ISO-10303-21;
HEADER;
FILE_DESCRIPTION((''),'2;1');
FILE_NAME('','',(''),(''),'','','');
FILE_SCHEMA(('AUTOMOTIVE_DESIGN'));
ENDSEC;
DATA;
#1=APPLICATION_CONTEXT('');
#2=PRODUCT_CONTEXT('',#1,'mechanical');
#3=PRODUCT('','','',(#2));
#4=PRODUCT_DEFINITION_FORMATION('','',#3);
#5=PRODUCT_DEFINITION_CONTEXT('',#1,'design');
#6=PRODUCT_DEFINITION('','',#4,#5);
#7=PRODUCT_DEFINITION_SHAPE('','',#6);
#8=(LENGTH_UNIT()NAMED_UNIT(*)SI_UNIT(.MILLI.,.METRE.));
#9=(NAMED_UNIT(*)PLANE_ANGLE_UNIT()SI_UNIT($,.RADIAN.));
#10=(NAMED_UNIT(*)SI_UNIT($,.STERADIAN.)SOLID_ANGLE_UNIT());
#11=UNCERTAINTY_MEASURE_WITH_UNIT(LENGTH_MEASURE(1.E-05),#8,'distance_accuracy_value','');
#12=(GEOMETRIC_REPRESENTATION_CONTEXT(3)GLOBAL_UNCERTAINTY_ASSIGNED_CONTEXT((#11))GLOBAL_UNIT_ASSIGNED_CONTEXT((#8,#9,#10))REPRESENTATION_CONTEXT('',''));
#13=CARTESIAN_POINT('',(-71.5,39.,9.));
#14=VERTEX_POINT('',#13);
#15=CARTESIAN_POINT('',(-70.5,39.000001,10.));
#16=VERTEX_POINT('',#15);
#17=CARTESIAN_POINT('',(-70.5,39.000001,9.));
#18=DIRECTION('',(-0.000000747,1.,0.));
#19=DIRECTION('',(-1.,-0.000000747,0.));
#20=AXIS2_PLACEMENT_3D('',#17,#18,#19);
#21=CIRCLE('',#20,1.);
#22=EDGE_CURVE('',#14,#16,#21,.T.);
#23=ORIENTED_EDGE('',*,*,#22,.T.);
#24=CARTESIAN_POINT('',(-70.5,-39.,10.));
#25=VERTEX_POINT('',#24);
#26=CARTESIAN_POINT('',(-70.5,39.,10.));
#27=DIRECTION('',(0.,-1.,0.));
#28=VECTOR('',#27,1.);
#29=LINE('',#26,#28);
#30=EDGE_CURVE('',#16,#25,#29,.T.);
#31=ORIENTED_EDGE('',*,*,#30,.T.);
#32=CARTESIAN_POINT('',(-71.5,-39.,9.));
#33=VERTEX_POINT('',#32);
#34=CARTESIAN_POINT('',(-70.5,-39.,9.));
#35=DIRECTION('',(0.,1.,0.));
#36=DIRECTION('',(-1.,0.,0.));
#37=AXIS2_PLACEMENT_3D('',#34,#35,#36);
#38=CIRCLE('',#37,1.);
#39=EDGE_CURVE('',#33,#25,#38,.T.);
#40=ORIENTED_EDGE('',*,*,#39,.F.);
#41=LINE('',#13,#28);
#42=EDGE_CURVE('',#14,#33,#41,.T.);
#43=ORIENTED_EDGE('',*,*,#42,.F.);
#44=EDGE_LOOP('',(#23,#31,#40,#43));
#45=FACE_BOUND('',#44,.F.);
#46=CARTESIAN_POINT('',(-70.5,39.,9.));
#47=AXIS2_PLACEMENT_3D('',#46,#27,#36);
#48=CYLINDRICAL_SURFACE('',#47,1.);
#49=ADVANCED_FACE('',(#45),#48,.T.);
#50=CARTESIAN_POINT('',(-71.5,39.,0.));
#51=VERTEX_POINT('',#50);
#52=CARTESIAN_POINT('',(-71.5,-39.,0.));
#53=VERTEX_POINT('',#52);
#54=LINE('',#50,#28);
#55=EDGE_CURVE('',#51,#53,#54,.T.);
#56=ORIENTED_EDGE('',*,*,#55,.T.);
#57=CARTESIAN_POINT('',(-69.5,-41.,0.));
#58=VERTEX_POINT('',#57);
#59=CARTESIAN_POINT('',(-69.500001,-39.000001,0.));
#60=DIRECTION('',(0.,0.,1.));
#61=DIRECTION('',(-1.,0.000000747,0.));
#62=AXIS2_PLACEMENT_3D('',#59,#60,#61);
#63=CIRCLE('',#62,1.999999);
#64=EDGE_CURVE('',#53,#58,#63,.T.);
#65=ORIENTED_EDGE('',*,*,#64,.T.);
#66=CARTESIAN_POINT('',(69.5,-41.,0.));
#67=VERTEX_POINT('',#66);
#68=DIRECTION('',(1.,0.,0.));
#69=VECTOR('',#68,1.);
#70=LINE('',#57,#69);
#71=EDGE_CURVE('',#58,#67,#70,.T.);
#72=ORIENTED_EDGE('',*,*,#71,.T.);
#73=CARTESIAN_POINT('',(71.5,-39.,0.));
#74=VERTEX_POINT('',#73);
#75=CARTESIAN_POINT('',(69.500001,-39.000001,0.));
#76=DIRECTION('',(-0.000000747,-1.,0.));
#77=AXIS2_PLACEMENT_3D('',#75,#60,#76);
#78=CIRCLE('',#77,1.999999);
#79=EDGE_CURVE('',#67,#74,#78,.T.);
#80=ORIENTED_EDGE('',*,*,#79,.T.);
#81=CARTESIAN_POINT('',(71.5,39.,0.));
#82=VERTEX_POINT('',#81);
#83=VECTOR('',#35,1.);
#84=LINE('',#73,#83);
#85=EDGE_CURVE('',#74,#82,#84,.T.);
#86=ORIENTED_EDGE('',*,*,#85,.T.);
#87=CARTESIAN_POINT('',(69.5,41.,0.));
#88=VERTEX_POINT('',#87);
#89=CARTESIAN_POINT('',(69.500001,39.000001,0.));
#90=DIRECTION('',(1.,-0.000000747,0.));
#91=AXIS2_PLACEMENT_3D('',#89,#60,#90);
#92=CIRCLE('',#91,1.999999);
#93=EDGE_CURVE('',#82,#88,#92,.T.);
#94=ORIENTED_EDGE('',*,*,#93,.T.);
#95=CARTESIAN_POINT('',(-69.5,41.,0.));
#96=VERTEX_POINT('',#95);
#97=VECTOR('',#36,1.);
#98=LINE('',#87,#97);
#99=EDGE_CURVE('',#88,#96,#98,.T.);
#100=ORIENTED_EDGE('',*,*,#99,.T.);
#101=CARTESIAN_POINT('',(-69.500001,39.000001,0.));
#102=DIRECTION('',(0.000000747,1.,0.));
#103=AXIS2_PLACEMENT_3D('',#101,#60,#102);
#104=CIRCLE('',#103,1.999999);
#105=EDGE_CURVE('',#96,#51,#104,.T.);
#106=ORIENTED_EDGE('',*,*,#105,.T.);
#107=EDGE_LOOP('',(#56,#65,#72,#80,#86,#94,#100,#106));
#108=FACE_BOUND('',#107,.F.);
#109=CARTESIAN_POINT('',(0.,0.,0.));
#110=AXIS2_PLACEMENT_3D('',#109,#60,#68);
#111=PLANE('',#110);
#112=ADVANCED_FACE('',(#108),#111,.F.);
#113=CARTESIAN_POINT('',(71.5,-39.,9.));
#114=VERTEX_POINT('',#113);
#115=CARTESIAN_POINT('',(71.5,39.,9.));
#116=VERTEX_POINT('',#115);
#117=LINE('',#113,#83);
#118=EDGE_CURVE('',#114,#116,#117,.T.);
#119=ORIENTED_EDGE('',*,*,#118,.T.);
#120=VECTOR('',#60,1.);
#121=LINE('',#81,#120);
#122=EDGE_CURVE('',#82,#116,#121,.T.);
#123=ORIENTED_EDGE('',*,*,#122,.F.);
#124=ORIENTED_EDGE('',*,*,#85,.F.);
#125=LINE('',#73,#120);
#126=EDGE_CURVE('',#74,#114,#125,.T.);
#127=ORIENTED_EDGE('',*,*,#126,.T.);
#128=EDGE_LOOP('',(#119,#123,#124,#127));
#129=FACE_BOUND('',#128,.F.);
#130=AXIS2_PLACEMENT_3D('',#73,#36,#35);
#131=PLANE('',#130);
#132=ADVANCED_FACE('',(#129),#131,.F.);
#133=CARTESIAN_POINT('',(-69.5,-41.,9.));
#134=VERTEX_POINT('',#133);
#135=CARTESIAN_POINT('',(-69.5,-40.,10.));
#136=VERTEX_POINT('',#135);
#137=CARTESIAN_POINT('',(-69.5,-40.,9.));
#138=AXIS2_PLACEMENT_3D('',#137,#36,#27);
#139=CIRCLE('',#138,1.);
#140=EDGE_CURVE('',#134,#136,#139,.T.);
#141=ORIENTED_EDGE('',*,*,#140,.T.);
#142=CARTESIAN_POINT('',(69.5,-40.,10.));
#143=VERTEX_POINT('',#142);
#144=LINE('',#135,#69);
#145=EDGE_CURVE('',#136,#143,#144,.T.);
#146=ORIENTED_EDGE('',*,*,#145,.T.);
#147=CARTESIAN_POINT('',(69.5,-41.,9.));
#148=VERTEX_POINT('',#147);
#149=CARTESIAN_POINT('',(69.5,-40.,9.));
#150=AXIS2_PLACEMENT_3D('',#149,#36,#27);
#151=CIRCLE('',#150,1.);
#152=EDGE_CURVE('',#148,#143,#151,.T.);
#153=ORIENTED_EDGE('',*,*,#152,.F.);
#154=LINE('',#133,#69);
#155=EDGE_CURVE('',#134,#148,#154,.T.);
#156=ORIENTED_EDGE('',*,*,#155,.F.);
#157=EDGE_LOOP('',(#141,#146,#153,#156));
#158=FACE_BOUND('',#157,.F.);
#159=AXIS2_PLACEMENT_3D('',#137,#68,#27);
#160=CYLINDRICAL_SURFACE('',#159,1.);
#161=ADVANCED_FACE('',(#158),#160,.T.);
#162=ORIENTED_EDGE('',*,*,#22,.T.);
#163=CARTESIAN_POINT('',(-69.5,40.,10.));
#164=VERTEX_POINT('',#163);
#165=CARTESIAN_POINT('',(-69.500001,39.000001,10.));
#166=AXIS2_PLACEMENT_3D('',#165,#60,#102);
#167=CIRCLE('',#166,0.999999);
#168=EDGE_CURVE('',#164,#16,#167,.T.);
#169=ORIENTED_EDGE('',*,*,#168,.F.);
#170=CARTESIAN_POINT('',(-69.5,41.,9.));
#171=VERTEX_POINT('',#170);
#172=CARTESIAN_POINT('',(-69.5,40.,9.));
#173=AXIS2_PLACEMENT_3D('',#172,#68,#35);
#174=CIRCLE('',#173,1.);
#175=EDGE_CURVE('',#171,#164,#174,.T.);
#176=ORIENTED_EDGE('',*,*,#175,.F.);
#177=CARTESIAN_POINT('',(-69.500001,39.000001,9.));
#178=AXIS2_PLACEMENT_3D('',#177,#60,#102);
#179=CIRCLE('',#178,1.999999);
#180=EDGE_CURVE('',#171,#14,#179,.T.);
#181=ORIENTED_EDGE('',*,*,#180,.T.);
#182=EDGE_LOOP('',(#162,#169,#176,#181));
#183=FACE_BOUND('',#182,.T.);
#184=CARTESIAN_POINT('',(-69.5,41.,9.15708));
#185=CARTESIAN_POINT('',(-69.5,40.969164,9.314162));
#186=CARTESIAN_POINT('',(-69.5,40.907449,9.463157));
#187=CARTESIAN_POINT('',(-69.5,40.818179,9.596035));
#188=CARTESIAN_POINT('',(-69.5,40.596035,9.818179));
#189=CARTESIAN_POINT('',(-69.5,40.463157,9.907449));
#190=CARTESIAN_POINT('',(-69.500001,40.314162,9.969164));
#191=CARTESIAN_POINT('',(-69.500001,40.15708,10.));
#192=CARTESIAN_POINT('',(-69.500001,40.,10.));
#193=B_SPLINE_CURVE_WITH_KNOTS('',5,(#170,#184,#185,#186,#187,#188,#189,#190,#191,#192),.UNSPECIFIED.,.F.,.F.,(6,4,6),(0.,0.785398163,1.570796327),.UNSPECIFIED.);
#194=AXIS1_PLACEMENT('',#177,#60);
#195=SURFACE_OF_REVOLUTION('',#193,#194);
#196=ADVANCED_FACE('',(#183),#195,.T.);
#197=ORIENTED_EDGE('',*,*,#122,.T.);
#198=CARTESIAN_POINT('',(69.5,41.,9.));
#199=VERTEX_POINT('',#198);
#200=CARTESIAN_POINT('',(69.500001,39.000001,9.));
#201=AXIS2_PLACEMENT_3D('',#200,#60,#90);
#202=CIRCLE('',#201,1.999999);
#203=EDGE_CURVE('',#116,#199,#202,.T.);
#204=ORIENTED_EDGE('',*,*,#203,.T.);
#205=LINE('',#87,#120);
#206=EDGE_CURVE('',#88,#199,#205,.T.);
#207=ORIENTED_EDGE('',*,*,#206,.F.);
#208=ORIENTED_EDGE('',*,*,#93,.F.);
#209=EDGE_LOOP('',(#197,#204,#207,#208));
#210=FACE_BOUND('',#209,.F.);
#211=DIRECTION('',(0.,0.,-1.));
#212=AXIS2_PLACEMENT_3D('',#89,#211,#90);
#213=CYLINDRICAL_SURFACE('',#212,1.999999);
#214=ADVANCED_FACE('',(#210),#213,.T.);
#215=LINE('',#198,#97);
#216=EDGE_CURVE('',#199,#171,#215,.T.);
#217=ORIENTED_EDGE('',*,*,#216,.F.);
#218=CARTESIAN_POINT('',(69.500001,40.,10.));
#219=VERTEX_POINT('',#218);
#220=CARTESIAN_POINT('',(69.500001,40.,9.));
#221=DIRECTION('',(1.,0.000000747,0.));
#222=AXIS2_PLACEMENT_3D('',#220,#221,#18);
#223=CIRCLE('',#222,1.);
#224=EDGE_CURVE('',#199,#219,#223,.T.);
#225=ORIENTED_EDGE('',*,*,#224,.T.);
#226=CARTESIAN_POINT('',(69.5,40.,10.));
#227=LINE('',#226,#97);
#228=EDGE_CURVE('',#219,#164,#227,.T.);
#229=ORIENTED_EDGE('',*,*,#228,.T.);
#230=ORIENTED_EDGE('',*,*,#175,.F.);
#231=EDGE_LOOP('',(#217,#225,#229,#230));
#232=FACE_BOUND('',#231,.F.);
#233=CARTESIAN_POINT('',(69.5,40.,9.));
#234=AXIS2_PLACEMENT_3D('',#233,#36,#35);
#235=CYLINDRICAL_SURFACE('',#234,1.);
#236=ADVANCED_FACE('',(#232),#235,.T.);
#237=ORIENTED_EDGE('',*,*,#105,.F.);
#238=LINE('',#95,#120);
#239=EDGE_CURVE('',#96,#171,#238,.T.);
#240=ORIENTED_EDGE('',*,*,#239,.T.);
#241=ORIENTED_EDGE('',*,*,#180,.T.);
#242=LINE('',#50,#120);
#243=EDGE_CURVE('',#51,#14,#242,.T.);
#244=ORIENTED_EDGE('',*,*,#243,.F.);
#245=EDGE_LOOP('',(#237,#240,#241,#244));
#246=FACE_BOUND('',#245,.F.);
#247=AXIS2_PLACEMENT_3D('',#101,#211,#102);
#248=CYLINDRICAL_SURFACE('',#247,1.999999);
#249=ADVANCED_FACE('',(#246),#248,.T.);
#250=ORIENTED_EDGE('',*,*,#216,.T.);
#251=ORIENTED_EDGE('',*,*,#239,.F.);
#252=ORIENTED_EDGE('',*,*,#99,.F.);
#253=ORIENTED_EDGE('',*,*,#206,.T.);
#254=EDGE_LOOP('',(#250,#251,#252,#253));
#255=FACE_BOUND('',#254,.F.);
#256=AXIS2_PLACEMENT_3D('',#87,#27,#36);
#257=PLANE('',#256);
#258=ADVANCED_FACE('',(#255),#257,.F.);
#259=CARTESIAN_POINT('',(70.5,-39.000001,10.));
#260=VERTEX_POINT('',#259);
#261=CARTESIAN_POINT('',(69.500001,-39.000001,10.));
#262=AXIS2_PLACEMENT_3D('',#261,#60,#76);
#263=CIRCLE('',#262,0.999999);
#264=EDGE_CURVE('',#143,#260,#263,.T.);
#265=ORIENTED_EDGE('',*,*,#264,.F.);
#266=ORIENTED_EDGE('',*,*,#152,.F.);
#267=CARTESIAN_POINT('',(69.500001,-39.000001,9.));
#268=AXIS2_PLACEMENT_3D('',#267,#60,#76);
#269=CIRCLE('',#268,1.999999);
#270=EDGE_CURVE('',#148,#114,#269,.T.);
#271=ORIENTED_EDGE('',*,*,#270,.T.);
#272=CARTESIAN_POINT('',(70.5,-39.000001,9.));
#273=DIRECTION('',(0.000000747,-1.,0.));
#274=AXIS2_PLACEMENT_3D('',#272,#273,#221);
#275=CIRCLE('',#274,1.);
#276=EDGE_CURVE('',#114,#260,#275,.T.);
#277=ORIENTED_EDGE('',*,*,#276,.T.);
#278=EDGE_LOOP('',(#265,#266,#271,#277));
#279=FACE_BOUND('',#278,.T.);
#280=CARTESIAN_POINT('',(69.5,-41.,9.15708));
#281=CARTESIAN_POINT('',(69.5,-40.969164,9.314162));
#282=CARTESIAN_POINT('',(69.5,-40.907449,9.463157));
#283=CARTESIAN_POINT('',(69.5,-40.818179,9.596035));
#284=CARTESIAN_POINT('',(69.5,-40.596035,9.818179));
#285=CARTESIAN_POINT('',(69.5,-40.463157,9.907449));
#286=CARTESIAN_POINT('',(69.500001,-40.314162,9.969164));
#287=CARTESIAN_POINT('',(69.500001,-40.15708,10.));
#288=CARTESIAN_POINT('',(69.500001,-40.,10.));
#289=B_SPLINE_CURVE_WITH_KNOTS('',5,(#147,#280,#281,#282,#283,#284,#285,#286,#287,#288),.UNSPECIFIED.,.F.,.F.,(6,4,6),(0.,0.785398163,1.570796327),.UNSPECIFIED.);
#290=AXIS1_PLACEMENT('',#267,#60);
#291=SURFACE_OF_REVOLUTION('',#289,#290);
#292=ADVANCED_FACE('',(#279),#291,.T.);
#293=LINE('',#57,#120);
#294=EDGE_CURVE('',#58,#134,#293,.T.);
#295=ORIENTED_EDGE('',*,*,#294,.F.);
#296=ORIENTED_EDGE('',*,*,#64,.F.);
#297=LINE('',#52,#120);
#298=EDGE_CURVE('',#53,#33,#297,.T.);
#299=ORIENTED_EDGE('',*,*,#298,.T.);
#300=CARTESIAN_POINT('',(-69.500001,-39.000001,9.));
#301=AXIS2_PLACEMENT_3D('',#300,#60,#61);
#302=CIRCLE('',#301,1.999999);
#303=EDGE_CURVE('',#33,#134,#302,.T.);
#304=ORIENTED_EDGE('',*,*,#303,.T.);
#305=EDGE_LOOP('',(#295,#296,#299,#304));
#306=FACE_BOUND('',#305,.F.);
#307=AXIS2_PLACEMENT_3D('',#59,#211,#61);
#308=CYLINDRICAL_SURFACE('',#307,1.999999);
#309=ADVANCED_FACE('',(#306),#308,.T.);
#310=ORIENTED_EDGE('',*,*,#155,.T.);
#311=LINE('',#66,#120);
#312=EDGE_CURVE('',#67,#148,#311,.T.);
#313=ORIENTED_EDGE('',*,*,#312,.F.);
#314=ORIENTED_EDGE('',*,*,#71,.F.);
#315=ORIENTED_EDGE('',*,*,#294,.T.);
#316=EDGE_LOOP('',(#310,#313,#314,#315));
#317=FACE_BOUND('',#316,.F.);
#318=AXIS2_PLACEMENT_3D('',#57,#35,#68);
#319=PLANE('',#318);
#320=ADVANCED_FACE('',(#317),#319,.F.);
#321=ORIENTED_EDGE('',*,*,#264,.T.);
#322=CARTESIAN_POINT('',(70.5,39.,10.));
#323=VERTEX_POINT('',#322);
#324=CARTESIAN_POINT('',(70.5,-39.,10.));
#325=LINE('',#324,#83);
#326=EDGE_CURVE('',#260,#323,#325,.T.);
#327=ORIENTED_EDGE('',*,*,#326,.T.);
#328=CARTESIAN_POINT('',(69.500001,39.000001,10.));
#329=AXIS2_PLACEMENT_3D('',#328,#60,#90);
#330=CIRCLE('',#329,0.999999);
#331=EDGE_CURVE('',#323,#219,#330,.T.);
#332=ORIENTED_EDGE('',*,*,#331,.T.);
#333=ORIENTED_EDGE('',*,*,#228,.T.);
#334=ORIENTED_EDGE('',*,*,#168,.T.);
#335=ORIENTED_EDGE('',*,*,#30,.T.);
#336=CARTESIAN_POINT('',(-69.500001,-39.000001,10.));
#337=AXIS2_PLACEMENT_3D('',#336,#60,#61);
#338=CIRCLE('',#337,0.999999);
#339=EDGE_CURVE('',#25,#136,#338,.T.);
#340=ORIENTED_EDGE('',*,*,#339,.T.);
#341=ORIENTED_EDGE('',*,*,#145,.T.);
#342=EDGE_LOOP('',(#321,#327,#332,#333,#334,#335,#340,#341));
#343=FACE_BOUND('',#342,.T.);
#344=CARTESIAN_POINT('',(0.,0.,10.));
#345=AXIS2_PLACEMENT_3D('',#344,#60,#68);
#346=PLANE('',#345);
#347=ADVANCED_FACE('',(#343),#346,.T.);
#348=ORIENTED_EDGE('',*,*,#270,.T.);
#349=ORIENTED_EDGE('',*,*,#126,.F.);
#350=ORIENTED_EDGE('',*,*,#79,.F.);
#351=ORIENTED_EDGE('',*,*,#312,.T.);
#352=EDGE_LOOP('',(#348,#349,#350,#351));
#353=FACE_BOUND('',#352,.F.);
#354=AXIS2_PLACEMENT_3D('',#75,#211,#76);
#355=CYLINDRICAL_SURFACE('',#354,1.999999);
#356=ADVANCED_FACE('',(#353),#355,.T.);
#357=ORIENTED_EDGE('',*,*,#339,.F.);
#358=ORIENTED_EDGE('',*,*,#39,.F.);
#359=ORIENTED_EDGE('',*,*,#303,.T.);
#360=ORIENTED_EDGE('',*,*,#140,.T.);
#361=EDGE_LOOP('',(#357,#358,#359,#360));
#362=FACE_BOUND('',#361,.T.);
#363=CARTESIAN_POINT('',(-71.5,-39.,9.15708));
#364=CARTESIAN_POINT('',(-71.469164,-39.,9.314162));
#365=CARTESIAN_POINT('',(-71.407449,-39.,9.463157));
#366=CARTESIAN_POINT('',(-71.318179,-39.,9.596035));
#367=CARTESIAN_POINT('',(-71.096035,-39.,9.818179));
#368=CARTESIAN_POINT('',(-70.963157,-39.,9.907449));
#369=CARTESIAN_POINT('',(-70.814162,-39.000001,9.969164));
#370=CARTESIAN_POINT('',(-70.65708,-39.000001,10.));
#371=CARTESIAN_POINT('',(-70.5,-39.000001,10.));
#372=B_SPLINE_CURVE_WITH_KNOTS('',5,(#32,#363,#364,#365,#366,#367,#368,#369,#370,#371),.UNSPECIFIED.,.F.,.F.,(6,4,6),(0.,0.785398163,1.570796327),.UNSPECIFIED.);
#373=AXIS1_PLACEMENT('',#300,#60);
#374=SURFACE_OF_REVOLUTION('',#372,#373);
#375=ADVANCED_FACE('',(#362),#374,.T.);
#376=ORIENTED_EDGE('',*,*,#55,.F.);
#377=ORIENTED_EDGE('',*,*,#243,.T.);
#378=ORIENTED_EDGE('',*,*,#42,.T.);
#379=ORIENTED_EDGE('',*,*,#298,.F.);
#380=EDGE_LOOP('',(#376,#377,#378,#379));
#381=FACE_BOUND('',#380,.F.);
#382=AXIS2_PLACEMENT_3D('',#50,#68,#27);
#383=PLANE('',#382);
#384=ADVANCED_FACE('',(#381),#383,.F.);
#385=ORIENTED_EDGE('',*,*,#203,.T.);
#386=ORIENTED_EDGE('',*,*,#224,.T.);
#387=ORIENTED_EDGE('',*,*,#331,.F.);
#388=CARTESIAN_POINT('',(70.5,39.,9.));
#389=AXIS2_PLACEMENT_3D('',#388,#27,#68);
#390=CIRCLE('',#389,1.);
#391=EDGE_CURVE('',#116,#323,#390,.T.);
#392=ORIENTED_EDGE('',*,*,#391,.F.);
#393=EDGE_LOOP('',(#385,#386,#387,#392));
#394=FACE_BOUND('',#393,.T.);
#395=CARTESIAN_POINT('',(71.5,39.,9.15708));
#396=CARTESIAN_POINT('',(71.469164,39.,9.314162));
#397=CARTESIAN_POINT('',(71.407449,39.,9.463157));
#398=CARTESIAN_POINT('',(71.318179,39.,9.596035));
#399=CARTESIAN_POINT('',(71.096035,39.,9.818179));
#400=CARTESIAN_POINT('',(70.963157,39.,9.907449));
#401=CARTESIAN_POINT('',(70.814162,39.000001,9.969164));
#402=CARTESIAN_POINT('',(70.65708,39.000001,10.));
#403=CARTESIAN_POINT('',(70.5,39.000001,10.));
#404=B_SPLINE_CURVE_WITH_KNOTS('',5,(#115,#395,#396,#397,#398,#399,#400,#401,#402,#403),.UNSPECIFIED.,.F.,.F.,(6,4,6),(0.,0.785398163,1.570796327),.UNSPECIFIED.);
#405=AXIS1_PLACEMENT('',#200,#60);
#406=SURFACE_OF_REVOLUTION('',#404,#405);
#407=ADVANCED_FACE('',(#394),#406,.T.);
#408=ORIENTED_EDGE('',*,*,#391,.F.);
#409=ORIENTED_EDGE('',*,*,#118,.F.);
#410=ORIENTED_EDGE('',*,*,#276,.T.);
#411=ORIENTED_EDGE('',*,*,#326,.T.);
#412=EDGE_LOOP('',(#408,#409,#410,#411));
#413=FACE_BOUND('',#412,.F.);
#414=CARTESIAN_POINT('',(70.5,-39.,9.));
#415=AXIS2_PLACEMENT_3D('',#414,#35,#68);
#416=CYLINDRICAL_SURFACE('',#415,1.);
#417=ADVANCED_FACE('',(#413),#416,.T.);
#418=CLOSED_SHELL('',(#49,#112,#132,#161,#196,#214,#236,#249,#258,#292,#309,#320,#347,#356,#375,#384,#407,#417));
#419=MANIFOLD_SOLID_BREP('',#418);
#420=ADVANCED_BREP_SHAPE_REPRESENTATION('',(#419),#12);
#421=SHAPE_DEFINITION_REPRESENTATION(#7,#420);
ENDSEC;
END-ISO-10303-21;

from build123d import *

# Parameters (mm, degrees)
F1_DEPTH = 10
F2_R     = 1


with BuildPart() as f1:
    # F0 (on Top) → F1 (new body)
    with BuildSketch(Plane.XY):
        with BuildLine():
            Line((69.5, 41), (-69.5, 41))
            ThreePointArc((-69.5, 41), (-70.914214, 40.414214), (-71.5, 39))
            Line((-71.5, 39), (-71.5, -39))
            ThreePointArc((-71.5, -39), (-70.914214, -40.414214), (-69.5, -41))
            Line((-69.5, -41), (69.5, -41))
            ThreePointArc((69.5, -41), (70.914214, -40.414214), (71.5, -39))
            Line((71.5, -39), (71.5, 39))
            ThreePointArc((71.5, 39), (70.914214, 40.414214), (69.5, 41))
        make_face()
    extrude(amount=F1_DEPTH)

    # F2
    f2_edges = [f1.edges().sort_by_distance(p)[0] for p in [
        (0, -41, 10),
    ]]
    fillet(f2_edges, radius=F2_R)


solid = f1.part
